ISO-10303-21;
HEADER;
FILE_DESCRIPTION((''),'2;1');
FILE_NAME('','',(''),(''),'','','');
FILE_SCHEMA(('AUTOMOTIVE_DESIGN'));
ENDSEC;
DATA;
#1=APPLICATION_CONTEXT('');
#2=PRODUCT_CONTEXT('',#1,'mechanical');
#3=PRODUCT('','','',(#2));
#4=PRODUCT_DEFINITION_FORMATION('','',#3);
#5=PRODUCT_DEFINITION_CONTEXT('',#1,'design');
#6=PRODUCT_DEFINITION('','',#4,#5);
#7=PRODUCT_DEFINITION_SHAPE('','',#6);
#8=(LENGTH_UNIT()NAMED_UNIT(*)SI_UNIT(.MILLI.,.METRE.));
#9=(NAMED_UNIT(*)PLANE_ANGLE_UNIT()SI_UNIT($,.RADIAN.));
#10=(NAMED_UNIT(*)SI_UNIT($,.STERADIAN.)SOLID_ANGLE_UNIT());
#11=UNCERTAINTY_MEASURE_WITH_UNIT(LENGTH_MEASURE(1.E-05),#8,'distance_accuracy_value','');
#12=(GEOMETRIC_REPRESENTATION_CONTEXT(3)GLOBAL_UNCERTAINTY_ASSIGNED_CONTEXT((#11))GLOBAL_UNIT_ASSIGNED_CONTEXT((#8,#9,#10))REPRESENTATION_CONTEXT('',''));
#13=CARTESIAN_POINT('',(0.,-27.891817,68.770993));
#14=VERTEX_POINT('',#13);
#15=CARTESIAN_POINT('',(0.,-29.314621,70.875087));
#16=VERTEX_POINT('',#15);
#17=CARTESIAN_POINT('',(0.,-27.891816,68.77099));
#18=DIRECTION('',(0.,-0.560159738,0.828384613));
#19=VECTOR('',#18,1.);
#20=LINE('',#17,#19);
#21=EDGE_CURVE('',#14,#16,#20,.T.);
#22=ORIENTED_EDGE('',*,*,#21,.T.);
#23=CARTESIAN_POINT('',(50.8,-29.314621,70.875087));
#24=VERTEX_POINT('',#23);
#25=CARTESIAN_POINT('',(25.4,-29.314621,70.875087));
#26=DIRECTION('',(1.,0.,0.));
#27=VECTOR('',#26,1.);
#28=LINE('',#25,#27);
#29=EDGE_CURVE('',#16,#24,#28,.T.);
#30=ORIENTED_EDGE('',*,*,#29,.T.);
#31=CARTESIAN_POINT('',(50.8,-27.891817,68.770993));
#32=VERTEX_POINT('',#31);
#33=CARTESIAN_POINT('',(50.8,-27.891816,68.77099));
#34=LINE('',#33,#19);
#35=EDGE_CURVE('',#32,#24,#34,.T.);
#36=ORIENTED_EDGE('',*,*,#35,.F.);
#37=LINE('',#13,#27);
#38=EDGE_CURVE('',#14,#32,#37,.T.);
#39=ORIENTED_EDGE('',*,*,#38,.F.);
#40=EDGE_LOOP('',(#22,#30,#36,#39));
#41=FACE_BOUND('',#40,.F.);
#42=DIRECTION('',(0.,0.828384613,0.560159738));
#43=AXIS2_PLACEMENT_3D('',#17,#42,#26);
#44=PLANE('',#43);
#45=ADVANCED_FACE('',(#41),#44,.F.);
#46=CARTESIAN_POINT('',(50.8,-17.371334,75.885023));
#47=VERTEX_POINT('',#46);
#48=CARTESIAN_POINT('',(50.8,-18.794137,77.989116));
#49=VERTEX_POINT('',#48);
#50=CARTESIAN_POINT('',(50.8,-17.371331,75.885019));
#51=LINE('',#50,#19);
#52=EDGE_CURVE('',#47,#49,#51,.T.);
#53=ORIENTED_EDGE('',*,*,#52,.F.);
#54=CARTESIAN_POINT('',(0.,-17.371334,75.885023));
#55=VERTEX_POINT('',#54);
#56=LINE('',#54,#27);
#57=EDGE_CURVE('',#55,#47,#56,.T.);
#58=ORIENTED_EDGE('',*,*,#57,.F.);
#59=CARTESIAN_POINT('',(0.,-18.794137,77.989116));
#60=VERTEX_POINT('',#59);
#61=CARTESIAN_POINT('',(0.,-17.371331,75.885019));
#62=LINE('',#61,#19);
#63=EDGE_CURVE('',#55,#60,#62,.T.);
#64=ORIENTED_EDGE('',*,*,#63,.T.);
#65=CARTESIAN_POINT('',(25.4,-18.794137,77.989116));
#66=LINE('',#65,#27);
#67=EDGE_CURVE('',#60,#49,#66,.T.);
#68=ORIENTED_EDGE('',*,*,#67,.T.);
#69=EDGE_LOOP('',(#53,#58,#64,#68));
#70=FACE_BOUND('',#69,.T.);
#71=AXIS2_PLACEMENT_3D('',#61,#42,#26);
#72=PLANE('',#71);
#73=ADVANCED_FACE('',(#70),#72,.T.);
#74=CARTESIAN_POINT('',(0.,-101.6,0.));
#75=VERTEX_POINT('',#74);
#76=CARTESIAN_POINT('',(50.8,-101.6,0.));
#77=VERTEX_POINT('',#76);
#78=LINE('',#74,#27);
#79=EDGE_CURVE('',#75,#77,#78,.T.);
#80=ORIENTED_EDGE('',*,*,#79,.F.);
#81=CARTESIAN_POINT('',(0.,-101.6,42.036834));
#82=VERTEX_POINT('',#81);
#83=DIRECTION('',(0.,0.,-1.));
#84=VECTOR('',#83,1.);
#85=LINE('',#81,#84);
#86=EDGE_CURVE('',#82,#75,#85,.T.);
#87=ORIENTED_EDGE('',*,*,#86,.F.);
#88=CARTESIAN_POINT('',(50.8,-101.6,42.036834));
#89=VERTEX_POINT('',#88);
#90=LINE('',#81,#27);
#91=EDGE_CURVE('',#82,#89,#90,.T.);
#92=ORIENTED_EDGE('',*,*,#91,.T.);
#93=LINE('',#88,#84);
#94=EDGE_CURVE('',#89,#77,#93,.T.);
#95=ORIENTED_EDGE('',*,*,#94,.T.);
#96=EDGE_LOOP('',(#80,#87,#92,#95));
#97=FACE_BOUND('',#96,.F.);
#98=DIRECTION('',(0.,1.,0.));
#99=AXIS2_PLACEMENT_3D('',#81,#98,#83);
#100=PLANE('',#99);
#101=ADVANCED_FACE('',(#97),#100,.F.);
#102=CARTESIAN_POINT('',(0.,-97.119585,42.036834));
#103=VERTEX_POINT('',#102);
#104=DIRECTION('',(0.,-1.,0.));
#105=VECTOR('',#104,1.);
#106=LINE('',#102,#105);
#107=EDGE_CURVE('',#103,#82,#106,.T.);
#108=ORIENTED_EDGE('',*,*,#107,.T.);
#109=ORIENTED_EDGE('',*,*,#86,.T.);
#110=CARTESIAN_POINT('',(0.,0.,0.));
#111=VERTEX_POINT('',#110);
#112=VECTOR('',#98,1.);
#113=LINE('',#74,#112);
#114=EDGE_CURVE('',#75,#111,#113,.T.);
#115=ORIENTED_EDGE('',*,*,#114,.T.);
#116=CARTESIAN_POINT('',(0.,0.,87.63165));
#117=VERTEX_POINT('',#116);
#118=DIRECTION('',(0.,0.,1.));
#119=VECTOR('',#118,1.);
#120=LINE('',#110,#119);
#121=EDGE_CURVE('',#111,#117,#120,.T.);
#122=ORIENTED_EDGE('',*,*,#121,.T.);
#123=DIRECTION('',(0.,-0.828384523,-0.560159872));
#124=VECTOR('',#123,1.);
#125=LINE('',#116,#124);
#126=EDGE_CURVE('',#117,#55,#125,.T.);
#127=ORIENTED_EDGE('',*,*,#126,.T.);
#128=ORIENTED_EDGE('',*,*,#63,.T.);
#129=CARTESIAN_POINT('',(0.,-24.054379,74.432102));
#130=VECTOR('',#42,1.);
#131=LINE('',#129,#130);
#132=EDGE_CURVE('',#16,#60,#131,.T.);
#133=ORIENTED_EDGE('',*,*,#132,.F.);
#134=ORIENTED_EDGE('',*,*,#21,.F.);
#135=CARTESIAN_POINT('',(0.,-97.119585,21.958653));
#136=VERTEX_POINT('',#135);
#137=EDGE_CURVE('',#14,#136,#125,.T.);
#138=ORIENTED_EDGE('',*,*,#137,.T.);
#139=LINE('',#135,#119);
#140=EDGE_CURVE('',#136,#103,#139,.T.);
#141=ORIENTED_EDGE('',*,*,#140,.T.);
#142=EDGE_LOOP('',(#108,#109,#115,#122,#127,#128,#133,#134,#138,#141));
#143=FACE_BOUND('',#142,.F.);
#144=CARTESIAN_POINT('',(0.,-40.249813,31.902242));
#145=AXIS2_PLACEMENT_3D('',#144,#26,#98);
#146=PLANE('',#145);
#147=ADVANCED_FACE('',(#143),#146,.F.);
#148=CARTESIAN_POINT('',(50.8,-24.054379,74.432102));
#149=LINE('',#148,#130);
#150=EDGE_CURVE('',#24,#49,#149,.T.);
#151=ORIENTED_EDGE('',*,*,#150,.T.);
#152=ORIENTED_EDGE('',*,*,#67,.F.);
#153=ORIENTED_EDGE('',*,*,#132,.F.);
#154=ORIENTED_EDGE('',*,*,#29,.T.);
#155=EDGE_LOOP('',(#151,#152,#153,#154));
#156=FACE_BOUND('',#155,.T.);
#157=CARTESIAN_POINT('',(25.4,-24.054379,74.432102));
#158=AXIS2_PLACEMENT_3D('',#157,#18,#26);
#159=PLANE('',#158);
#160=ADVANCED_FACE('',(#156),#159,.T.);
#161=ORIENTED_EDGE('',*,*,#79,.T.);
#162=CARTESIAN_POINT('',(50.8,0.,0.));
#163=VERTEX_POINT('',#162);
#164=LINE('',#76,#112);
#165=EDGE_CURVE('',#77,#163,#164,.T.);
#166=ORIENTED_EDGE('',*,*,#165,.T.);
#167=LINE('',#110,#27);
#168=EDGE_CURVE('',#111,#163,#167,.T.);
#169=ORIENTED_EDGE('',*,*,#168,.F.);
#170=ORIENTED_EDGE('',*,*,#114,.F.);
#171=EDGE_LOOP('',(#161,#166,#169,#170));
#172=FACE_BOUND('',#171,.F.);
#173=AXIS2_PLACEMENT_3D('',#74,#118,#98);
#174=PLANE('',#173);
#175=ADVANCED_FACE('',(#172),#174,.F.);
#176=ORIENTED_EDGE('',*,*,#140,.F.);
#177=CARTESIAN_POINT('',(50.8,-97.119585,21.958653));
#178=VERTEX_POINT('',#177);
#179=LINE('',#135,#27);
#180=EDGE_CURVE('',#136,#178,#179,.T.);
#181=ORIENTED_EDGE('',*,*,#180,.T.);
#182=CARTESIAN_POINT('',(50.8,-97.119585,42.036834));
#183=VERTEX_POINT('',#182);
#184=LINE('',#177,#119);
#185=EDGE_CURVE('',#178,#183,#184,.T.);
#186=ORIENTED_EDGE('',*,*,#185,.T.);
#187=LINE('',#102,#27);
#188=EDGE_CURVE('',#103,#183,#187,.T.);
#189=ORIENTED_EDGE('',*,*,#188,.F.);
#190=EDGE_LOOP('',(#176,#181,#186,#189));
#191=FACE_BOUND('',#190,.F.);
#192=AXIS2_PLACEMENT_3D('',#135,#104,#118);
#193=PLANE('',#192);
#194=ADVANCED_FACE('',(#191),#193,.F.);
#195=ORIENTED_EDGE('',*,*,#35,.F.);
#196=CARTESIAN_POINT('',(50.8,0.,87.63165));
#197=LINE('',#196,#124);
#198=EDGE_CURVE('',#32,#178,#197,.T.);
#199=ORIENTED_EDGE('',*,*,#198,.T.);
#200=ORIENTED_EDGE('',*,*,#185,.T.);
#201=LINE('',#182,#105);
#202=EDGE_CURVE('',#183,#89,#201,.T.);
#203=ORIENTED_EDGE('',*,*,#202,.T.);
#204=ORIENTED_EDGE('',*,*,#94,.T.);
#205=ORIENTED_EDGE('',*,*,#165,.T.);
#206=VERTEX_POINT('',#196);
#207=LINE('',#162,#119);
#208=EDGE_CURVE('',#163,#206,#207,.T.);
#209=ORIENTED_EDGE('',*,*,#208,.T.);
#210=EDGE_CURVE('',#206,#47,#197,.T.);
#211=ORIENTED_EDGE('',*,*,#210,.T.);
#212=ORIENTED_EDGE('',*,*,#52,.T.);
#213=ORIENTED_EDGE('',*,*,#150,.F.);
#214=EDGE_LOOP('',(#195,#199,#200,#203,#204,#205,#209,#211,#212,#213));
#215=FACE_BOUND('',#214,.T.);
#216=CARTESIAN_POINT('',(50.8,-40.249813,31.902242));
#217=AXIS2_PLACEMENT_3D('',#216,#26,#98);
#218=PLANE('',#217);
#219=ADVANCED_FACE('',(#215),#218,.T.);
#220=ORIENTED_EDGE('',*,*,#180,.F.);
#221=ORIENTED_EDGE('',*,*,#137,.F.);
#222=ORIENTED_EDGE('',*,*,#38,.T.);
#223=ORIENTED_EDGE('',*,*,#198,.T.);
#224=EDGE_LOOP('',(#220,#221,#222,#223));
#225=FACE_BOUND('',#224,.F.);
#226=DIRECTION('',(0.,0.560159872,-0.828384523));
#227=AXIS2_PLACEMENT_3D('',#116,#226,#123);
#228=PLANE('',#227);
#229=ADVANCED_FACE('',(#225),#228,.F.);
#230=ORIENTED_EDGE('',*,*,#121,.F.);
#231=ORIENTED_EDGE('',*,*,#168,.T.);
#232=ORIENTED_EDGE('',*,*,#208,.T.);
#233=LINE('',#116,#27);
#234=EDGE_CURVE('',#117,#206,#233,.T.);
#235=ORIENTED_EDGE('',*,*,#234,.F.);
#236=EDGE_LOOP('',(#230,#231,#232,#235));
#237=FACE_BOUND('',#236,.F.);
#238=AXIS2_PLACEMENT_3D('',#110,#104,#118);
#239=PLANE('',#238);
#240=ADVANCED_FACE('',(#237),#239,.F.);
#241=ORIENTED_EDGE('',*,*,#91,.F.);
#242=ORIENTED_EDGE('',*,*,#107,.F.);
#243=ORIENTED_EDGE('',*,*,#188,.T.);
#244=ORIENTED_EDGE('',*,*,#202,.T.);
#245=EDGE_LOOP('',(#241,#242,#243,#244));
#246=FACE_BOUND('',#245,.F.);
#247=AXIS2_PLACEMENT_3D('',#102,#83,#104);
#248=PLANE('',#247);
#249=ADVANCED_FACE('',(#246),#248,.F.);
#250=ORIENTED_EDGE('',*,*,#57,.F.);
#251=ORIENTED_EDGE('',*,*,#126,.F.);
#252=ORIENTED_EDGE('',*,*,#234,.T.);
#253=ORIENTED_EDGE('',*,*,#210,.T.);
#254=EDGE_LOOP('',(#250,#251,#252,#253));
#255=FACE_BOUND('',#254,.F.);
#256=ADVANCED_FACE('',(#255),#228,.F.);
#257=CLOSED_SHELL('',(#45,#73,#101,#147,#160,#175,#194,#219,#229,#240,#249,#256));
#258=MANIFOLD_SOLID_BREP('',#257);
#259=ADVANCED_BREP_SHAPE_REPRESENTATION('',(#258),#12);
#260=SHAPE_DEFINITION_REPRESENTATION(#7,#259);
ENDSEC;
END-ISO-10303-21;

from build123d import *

# Parameters (mm, degrees)
F1_DEPTH = 50.8
F2_W     = 50.8
F2_H     = 12.7
F3_DEPTH = 2.54


with BuildPart() as f1:
    # F0 (on Right) → F1 (new body)
    with BuildSketch(Plane.YZ):
        Polygon((-97.119585, 21.958653), (-101.6, 18.928962), (-101.6, 0), (0, 0), (0, 87.63165), align=None)
        Polygon((-101.6, 42.036834), (-101.6, 18.928962), (-97.119585, 21.958653), (-97.119585, 42.036834), align=None)
    extrude(amount=F1_DEPTH)

    # F2 (on face) → F3 (join)
    with BuildSketch(Plane(origin=(0, -40.663519, 60.134671), x_dir=(1, 0, 0), z_dir=(0, -0.56016, 0.828385))):
        with Locations((25.4, 21.767601)):
            Rectangle(F2_W, F2_H)
    extrude(amount=F3_DEPTH)


solid = f1.part
